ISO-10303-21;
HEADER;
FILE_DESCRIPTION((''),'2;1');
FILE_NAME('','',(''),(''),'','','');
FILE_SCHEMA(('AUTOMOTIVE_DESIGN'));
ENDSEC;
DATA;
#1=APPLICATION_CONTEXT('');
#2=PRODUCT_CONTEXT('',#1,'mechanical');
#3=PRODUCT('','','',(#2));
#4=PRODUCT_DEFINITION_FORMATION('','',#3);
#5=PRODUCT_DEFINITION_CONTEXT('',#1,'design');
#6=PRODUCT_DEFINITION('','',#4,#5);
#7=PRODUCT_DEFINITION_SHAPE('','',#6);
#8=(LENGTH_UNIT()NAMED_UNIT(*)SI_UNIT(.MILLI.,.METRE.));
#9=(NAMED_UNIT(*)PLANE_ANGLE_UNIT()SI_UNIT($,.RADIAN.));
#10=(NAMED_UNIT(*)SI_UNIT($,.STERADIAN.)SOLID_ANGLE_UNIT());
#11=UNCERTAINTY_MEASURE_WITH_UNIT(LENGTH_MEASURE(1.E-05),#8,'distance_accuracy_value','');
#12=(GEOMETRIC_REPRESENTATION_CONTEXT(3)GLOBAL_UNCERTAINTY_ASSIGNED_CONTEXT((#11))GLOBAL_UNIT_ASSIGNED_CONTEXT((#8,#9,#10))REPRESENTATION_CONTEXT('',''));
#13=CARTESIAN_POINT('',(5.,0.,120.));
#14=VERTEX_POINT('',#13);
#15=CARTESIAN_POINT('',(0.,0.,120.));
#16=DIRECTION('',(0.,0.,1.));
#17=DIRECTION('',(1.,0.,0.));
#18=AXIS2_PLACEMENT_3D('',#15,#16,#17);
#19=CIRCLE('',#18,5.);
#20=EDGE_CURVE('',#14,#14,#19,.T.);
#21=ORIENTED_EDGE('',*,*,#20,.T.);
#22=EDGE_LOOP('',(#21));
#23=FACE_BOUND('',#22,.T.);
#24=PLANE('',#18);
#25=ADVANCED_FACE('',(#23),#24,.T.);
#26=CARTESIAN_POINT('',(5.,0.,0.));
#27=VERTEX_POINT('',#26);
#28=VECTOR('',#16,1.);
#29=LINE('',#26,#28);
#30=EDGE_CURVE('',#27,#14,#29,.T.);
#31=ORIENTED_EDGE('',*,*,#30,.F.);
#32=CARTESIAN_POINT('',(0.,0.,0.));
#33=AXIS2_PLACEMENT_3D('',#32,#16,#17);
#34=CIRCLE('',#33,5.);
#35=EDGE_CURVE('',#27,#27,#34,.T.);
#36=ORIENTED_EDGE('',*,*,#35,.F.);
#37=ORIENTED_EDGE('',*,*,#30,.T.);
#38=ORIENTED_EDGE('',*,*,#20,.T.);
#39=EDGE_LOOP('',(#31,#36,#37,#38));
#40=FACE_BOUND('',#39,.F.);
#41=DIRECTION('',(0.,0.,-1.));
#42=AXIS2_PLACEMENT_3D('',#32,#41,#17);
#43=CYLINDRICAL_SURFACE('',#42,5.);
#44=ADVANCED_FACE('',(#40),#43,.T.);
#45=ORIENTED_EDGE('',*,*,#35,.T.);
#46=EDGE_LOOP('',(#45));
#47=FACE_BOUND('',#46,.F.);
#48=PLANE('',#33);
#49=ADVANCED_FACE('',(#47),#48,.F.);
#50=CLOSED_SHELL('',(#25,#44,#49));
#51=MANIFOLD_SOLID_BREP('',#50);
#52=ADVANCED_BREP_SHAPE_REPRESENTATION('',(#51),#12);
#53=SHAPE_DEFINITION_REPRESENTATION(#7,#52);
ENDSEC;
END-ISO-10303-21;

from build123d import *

# Parameters (mm, degrees)
IZIM1_R                     = 5
Y_KSEKLIK_EKSTR_ZYON1_DEPTH = 120


with BuildPart() as part:
    # Çizim1 → Yükseklik-Ekstrüzyon1 (new body)
    with BuildSketch(Plane.XY):
        Circle(IZIM1_R)
    extrude(amount=Y_KSEKLIK_EKSTR_ZYON1_DEPTH)


solid = part.part
